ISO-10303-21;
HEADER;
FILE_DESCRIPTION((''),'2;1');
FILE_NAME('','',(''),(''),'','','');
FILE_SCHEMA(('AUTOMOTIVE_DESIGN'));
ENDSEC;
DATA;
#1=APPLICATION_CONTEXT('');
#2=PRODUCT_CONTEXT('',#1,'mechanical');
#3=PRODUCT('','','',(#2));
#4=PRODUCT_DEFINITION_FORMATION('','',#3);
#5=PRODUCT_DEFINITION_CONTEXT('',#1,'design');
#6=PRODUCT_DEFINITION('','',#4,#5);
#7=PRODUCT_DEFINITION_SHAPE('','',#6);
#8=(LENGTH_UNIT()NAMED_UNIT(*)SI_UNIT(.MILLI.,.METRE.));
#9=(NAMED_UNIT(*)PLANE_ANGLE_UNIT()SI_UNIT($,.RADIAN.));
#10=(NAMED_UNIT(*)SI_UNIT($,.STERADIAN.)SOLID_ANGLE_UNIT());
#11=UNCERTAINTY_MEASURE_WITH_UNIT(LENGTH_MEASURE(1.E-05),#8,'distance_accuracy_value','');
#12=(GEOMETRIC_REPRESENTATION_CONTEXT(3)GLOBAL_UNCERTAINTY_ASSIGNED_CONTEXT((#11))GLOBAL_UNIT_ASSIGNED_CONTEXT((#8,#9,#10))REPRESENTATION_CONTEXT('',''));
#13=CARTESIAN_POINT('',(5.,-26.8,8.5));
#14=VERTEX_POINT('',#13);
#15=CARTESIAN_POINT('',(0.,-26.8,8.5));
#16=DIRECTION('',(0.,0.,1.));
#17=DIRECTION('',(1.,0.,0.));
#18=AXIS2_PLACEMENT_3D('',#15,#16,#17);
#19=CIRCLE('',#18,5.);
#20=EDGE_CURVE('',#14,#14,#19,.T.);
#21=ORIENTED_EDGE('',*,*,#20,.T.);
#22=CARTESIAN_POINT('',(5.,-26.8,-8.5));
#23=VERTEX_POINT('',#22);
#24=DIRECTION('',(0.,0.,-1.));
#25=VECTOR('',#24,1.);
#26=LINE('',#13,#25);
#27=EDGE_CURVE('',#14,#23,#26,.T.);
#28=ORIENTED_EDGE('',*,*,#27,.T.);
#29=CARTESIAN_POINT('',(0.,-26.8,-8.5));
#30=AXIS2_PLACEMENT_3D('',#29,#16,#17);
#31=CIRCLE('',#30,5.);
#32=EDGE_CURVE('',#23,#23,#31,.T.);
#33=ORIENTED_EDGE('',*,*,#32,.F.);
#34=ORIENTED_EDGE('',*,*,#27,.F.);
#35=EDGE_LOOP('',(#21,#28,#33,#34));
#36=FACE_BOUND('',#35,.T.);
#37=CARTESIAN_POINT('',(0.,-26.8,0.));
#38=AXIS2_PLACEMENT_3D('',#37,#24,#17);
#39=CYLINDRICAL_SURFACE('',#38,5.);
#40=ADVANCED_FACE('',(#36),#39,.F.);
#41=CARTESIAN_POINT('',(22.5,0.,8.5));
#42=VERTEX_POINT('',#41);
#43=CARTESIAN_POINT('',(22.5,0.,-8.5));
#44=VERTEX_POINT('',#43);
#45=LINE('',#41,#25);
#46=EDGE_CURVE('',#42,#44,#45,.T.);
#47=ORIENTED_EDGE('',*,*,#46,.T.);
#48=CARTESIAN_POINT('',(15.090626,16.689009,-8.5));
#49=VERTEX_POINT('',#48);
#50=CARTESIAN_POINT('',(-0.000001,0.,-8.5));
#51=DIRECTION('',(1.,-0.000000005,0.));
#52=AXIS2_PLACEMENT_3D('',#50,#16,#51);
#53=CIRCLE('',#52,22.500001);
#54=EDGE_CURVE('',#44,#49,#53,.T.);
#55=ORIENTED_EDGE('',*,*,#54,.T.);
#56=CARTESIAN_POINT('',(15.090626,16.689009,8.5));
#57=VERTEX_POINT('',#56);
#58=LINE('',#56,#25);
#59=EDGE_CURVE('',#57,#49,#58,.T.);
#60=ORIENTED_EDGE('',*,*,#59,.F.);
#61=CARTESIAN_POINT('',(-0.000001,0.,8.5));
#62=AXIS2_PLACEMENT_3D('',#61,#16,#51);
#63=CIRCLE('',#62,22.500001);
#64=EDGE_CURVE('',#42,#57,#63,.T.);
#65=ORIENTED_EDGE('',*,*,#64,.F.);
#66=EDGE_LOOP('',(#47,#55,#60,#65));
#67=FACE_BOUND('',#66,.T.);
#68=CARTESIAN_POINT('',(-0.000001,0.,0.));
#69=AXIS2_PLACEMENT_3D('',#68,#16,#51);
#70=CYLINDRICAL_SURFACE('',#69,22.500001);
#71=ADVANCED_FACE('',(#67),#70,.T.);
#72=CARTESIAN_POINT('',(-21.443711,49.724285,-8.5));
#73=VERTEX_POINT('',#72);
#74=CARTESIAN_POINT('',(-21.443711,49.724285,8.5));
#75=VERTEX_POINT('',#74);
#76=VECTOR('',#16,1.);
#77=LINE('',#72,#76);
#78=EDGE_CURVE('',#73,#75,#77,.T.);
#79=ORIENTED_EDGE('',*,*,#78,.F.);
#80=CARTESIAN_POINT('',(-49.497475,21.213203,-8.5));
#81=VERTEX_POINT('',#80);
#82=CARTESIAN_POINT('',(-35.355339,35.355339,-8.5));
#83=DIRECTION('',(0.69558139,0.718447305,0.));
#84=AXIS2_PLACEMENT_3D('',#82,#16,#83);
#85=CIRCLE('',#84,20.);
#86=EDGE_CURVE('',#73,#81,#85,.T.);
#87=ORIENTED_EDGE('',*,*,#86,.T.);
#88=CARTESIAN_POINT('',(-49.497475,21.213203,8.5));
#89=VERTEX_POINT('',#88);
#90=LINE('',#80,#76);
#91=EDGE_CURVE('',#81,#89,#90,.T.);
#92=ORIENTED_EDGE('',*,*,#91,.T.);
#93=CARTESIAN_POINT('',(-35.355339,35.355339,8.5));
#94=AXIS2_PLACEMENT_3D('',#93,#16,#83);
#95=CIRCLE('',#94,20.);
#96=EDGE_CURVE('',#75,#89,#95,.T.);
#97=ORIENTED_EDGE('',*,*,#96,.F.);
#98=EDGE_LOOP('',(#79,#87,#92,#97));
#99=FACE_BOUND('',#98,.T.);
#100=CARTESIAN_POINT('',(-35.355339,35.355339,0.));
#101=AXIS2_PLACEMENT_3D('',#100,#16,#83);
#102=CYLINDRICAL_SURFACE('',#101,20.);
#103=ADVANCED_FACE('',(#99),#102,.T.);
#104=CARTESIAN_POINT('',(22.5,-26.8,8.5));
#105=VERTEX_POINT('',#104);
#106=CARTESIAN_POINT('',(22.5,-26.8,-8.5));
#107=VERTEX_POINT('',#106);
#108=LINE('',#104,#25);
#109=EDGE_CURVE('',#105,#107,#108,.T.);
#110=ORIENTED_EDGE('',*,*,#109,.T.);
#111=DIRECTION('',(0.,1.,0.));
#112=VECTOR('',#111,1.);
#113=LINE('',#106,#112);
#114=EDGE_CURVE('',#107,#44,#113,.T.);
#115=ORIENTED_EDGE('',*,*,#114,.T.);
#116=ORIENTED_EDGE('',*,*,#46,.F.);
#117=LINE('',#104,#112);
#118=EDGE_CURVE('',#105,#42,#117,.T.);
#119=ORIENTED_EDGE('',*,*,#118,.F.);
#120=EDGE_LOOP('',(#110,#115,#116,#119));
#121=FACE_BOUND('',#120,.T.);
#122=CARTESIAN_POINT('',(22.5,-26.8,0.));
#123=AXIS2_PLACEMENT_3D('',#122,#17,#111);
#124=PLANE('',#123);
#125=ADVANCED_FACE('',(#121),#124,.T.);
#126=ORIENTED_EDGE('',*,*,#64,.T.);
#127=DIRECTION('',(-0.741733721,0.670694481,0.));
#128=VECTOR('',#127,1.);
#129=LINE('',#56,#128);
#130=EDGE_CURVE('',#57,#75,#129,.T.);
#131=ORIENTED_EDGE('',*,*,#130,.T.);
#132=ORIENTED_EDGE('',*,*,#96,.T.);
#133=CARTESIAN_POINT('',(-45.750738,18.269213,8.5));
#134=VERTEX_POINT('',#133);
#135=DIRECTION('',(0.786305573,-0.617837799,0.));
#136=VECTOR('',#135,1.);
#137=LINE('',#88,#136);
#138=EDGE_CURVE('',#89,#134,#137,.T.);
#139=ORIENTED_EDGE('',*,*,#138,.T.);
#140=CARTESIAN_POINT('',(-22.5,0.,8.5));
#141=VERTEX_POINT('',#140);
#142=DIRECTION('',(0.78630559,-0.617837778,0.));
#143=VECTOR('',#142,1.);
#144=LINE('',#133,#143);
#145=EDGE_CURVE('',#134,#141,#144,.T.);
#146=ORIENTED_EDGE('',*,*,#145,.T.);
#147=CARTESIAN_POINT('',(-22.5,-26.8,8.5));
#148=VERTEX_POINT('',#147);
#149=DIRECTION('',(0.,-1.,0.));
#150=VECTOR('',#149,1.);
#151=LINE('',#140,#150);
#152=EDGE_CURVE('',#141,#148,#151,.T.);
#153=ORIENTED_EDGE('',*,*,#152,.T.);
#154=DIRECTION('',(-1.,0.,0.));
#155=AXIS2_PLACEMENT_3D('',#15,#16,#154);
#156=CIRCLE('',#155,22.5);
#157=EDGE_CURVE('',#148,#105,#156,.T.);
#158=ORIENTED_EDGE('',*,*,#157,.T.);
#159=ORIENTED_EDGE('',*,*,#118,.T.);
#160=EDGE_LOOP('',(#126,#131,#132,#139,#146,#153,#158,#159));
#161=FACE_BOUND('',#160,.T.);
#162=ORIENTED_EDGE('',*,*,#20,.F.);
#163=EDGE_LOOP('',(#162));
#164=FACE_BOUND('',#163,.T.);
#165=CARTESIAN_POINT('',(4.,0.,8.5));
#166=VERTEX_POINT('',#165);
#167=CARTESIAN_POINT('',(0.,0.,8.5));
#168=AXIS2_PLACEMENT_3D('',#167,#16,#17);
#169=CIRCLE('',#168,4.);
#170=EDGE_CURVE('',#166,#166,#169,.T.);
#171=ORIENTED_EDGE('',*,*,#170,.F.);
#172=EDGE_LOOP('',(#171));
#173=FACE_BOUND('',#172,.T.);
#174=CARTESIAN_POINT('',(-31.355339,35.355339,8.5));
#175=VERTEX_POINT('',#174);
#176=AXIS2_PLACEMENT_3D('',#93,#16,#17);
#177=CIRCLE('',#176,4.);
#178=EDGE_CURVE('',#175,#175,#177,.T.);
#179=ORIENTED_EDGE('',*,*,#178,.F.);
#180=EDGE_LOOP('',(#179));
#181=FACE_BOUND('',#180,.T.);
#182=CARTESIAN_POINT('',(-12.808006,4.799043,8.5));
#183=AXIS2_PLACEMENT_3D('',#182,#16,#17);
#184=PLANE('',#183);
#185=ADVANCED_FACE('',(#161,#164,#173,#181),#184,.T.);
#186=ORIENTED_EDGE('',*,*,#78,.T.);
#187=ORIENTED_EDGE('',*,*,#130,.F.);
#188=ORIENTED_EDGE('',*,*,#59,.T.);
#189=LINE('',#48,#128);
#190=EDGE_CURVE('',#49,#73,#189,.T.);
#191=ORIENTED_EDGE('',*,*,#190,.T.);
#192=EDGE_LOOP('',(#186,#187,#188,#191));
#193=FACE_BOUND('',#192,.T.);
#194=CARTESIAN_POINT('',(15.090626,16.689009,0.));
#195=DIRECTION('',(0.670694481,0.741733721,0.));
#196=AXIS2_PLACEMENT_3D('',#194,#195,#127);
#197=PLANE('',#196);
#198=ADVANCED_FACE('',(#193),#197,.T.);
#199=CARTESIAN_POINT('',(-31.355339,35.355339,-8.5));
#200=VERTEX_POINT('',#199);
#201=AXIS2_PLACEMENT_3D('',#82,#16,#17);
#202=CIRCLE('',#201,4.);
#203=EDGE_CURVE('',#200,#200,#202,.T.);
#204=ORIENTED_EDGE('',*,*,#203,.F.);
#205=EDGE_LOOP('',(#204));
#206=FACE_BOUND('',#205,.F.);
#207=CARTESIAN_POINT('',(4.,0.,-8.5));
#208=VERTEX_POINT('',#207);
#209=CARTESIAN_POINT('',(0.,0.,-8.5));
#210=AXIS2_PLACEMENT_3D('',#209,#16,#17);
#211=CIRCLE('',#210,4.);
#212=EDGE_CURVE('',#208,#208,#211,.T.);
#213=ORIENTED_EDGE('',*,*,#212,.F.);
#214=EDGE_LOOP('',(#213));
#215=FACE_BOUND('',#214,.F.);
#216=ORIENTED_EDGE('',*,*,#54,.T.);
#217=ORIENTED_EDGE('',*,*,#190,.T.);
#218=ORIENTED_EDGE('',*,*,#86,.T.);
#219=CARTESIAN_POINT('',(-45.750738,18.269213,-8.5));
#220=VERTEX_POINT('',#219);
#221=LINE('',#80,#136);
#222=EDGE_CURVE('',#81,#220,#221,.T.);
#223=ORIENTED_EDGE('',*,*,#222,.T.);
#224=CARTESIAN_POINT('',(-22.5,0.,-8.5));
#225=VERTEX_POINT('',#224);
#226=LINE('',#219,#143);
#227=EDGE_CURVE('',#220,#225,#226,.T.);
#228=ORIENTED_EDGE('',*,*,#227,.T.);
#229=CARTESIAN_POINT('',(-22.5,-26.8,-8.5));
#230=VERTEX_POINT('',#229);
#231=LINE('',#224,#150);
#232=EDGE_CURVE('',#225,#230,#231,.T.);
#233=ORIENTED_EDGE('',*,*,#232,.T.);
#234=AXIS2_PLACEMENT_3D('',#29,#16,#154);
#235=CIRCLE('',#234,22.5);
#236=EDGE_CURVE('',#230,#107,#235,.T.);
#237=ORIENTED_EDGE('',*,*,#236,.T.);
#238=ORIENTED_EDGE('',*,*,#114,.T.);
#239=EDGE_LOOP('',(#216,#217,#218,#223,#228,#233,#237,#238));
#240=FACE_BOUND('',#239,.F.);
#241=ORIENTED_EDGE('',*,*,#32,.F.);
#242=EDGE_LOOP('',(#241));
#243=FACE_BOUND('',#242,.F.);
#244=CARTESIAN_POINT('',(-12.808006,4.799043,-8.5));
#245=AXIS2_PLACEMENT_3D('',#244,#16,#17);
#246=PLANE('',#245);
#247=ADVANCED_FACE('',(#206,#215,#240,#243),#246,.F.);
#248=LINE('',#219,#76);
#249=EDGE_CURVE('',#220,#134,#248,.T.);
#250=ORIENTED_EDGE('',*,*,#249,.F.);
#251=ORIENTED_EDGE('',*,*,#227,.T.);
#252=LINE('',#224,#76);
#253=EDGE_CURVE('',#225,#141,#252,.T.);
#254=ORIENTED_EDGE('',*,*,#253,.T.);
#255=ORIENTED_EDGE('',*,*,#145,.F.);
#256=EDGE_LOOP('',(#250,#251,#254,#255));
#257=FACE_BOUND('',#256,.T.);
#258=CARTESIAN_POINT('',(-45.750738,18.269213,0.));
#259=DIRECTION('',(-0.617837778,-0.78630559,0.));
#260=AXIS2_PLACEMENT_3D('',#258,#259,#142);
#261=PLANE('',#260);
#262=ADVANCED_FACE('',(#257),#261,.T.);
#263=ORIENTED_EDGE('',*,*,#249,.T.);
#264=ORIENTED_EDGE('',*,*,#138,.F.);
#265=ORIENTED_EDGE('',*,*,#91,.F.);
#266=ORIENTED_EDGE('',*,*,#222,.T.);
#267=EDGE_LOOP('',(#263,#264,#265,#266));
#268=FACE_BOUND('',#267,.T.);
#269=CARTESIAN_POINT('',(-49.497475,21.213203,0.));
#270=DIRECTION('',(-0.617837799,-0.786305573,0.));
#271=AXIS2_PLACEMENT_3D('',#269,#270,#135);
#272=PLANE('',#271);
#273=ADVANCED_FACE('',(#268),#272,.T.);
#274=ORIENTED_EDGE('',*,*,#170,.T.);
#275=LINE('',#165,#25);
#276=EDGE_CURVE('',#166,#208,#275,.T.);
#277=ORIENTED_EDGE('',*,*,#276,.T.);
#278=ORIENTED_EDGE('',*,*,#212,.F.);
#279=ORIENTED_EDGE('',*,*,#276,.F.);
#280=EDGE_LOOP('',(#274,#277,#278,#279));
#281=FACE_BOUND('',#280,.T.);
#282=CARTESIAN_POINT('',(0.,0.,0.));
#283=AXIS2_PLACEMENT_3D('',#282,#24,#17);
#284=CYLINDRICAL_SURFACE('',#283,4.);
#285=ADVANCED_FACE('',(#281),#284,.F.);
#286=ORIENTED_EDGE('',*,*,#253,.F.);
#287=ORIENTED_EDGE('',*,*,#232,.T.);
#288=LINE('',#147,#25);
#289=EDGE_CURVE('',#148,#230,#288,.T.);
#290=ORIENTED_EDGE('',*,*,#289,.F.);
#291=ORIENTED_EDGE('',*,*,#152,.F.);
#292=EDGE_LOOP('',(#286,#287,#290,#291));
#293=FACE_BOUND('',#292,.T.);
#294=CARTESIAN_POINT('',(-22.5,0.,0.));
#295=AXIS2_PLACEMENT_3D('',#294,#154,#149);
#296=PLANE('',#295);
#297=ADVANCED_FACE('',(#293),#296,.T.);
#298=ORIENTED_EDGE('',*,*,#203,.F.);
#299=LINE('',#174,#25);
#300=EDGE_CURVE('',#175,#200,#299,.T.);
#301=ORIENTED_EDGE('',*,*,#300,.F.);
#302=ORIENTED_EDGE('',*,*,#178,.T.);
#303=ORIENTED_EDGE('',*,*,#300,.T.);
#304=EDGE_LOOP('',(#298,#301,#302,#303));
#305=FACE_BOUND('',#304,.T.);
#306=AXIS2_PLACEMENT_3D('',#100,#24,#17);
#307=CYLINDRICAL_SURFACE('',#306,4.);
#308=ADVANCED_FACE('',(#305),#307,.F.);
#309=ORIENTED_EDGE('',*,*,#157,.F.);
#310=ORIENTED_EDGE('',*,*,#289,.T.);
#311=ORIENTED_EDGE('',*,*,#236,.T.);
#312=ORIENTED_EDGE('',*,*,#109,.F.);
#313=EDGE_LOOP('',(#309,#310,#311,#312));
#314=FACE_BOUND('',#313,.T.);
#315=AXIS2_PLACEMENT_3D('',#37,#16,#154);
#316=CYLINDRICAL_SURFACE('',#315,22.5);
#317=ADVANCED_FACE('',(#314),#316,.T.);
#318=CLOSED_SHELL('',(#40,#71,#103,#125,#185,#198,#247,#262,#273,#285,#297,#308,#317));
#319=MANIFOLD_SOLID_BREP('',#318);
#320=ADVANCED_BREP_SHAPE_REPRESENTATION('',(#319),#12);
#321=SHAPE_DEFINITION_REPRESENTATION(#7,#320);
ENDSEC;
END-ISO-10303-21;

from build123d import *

# Parameters (mm, degrees)
F0_R     = 5
F0_R_2   = 4
F1_DEPTH = 8.5


with BuildPart() as f1:
    # F0 (on Top) → F1 (new body, symmetric)
    with BuildSketch(Plane.XY):
        with BuildLine():
            Line((15.090626, 16.689009), (-21.443711, 49.724285))
            ThreePointArc((-21.443711, 49.724285), (-49.611346, 49.382679), (-49.497475, 21.213203))
            Line((-49.497475, 21.213203), (-45.750738, 18.269213))
            Line((-45.750738, 18.269213), (-22.5, 0))
            Line((-22.5, 0), (-22.5, -26.8))
            ThreePointArc((-22.5, -26.8), (0, -49.3), (22.5, -26.8))
            Line((22.5, -26.8), (22.5, 0))
            ThreePointArc((22.5, 0), (20.5644, 9.129921), (15.090626, 16.689009))
        make_face()
        with Locations((0, -26.8)):
            Circle(F0_R, mode=Mode.SUBTRACT)
        Circle(F0_R_2, mode=Mode.SUBTRACT)
        with Locations((-35.355339, 35.355339)):
            Circle(F0_R_2, mode=Mode.SUBTRACT)
    extrude(amount=F1_DEPTH, both=True)


solid = f1.part
